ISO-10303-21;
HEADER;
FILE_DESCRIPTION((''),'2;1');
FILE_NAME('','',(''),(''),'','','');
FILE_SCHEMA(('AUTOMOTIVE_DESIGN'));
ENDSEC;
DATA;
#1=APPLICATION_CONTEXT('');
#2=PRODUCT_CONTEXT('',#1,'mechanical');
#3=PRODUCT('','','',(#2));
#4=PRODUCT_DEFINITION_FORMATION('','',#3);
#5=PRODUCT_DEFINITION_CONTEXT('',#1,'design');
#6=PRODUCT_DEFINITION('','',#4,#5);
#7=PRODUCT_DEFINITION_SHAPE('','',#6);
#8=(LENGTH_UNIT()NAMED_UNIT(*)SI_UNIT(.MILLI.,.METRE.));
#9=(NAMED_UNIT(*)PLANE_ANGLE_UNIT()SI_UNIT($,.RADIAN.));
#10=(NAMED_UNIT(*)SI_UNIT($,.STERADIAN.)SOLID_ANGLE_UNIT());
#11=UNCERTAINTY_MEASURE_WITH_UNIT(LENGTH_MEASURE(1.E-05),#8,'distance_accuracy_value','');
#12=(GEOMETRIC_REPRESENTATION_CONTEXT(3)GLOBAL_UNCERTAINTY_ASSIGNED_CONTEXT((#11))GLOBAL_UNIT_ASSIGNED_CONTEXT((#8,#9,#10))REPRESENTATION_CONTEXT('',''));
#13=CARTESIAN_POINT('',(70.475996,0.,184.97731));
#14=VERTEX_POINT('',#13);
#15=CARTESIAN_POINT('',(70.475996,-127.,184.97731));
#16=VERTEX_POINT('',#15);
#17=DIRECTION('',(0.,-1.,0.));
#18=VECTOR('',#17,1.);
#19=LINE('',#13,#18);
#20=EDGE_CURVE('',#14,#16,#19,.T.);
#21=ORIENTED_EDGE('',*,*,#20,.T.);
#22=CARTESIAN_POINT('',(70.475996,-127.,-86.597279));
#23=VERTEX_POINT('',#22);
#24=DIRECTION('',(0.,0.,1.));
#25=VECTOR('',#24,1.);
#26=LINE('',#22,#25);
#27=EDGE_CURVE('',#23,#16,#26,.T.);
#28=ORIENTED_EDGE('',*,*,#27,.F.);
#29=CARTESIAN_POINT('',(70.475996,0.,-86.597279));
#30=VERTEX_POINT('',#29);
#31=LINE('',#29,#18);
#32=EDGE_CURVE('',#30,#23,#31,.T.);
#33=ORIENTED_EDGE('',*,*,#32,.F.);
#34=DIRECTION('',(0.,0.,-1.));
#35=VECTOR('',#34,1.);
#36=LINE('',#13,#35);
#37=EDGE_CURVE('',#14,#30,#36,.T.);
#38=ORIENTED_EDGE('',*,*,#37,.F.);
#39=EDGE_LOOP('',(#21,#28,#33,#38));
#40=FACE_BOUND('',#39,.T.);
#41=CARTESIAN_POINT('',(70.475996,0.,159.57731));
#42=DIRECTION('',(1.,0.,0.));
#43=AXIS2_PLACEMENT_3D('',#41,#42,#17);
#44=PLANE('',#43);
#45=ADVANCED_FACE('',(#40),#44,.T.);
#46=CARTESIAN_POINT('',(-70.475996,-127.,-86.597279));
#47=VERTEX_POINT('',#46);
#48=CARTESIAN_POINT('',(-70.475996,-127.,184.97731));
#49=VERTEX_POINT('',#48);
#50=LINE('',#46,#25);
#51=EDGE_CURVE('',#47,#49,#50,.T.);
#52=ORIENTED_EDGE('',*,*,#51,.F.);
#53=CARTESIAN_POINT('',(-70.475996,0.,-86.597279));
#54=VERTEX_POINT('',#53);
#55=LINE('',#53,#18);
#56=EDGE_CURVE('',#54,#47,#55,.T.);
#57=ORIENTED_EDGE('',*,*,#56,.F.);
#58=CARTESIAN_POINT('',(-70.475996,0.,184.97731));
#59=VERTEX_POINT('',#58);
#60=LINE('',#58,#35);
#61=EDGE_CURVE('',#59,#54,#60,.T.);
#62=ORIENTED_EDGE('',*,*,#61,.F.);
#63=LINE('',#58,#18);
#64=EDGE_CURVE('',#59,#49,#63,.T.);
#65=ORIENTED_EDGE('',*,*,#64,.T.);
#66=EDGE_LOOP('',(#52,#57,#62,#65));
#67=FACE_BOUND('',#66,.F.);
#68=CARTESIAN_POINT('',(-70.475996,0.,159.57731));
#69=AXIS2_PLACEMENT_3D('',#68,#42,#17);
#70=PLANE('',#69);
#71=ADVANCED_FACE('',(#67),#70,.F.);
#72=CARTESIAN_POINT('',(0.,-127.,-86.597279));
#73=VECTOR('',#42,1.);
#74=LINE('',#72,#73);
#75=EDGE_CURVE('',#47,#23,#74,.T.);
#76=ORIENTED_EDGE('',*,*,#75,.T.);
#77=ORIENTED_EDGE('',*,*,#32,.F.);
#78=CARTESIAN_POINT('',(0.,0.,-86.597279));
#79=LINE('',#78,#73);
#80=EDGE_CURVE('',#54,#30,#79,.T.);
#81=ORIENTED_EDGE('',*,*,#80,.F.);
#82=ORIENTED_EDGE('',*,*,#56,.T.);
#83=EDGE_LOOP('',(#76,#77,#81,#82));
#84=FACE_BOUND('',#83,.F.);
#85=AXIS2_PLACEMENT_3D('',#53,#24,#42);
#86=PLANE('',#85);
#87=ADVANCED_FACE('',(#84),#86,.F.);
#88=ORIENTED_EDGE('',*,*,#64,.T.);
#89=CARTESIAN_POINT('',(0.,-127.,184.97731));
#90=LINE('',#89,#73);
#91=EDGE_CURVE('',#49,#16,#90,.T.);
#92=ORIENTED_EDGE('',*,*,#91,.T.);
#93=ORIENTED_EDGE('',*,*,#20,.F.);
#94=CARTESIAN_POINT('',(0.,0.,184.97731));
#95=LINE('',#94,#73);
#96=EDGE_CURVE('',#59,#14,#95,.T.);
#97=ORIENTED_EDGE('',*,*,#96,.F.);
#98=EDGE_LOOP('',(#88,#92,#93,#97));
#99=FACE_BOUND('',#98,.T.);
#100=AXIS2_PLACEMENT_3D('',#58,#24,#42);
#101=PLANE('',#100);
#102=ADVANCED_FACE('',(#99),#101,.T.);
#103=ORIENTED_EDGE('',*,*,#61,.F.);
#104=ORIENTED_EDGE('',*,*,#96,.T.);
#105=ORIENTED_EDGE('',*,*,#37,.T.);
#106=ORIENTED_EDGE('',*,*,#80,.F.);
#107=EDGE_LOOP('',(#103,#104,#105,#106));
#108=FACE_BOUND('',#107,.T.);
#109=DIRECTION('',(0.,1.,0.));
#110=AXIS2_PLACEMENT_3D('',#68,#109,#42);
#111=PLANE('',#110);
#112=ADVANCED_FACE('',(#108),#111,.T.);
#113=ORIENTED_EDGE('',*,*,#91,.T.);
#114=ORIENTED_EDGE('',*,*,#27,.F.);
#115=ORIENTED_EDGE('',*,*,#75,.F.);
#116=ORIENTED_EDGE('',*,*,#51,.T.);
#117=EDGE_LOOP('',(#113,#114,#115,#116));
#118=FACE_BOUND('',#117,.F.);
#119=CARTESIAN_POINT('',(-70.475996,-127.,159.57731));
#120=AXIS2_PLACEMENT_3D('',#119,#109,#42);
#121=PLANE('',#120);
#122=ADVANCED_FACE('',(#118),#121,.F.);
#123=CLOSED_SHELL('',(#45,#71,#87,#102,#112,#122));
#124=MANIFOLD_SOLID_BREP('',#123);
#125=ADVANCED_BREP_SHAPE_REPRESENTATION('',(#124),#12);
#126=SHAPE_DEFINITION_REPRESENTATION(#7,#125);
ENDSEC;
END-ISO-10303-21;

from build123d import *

# Parameters (mm, degrees)
F0_W     = 140.9519910812
F0_H     = 246.1745887995
F1_DEPTH = 127
F3_DEPTH = 25.4


with BuildPart() as f1:
    # F0 (on Front) → F1 (new body)
    with BuildSketch(Plane.XZ):
        with Locations((0, 36.4900156856)):
            Rectangle(F0_W, F0_H)
    extrude(amount=F1_DEPTH)

    # F3 (add): a face of the model
    f3_faces = [f1.faces().sort_by_distance(p)[0] for p in [
        (0, -63.5, 159.5773100853),
    ]]
    extrude(f3_faces, amount=F3_DEPTH)


solid = f1.part
